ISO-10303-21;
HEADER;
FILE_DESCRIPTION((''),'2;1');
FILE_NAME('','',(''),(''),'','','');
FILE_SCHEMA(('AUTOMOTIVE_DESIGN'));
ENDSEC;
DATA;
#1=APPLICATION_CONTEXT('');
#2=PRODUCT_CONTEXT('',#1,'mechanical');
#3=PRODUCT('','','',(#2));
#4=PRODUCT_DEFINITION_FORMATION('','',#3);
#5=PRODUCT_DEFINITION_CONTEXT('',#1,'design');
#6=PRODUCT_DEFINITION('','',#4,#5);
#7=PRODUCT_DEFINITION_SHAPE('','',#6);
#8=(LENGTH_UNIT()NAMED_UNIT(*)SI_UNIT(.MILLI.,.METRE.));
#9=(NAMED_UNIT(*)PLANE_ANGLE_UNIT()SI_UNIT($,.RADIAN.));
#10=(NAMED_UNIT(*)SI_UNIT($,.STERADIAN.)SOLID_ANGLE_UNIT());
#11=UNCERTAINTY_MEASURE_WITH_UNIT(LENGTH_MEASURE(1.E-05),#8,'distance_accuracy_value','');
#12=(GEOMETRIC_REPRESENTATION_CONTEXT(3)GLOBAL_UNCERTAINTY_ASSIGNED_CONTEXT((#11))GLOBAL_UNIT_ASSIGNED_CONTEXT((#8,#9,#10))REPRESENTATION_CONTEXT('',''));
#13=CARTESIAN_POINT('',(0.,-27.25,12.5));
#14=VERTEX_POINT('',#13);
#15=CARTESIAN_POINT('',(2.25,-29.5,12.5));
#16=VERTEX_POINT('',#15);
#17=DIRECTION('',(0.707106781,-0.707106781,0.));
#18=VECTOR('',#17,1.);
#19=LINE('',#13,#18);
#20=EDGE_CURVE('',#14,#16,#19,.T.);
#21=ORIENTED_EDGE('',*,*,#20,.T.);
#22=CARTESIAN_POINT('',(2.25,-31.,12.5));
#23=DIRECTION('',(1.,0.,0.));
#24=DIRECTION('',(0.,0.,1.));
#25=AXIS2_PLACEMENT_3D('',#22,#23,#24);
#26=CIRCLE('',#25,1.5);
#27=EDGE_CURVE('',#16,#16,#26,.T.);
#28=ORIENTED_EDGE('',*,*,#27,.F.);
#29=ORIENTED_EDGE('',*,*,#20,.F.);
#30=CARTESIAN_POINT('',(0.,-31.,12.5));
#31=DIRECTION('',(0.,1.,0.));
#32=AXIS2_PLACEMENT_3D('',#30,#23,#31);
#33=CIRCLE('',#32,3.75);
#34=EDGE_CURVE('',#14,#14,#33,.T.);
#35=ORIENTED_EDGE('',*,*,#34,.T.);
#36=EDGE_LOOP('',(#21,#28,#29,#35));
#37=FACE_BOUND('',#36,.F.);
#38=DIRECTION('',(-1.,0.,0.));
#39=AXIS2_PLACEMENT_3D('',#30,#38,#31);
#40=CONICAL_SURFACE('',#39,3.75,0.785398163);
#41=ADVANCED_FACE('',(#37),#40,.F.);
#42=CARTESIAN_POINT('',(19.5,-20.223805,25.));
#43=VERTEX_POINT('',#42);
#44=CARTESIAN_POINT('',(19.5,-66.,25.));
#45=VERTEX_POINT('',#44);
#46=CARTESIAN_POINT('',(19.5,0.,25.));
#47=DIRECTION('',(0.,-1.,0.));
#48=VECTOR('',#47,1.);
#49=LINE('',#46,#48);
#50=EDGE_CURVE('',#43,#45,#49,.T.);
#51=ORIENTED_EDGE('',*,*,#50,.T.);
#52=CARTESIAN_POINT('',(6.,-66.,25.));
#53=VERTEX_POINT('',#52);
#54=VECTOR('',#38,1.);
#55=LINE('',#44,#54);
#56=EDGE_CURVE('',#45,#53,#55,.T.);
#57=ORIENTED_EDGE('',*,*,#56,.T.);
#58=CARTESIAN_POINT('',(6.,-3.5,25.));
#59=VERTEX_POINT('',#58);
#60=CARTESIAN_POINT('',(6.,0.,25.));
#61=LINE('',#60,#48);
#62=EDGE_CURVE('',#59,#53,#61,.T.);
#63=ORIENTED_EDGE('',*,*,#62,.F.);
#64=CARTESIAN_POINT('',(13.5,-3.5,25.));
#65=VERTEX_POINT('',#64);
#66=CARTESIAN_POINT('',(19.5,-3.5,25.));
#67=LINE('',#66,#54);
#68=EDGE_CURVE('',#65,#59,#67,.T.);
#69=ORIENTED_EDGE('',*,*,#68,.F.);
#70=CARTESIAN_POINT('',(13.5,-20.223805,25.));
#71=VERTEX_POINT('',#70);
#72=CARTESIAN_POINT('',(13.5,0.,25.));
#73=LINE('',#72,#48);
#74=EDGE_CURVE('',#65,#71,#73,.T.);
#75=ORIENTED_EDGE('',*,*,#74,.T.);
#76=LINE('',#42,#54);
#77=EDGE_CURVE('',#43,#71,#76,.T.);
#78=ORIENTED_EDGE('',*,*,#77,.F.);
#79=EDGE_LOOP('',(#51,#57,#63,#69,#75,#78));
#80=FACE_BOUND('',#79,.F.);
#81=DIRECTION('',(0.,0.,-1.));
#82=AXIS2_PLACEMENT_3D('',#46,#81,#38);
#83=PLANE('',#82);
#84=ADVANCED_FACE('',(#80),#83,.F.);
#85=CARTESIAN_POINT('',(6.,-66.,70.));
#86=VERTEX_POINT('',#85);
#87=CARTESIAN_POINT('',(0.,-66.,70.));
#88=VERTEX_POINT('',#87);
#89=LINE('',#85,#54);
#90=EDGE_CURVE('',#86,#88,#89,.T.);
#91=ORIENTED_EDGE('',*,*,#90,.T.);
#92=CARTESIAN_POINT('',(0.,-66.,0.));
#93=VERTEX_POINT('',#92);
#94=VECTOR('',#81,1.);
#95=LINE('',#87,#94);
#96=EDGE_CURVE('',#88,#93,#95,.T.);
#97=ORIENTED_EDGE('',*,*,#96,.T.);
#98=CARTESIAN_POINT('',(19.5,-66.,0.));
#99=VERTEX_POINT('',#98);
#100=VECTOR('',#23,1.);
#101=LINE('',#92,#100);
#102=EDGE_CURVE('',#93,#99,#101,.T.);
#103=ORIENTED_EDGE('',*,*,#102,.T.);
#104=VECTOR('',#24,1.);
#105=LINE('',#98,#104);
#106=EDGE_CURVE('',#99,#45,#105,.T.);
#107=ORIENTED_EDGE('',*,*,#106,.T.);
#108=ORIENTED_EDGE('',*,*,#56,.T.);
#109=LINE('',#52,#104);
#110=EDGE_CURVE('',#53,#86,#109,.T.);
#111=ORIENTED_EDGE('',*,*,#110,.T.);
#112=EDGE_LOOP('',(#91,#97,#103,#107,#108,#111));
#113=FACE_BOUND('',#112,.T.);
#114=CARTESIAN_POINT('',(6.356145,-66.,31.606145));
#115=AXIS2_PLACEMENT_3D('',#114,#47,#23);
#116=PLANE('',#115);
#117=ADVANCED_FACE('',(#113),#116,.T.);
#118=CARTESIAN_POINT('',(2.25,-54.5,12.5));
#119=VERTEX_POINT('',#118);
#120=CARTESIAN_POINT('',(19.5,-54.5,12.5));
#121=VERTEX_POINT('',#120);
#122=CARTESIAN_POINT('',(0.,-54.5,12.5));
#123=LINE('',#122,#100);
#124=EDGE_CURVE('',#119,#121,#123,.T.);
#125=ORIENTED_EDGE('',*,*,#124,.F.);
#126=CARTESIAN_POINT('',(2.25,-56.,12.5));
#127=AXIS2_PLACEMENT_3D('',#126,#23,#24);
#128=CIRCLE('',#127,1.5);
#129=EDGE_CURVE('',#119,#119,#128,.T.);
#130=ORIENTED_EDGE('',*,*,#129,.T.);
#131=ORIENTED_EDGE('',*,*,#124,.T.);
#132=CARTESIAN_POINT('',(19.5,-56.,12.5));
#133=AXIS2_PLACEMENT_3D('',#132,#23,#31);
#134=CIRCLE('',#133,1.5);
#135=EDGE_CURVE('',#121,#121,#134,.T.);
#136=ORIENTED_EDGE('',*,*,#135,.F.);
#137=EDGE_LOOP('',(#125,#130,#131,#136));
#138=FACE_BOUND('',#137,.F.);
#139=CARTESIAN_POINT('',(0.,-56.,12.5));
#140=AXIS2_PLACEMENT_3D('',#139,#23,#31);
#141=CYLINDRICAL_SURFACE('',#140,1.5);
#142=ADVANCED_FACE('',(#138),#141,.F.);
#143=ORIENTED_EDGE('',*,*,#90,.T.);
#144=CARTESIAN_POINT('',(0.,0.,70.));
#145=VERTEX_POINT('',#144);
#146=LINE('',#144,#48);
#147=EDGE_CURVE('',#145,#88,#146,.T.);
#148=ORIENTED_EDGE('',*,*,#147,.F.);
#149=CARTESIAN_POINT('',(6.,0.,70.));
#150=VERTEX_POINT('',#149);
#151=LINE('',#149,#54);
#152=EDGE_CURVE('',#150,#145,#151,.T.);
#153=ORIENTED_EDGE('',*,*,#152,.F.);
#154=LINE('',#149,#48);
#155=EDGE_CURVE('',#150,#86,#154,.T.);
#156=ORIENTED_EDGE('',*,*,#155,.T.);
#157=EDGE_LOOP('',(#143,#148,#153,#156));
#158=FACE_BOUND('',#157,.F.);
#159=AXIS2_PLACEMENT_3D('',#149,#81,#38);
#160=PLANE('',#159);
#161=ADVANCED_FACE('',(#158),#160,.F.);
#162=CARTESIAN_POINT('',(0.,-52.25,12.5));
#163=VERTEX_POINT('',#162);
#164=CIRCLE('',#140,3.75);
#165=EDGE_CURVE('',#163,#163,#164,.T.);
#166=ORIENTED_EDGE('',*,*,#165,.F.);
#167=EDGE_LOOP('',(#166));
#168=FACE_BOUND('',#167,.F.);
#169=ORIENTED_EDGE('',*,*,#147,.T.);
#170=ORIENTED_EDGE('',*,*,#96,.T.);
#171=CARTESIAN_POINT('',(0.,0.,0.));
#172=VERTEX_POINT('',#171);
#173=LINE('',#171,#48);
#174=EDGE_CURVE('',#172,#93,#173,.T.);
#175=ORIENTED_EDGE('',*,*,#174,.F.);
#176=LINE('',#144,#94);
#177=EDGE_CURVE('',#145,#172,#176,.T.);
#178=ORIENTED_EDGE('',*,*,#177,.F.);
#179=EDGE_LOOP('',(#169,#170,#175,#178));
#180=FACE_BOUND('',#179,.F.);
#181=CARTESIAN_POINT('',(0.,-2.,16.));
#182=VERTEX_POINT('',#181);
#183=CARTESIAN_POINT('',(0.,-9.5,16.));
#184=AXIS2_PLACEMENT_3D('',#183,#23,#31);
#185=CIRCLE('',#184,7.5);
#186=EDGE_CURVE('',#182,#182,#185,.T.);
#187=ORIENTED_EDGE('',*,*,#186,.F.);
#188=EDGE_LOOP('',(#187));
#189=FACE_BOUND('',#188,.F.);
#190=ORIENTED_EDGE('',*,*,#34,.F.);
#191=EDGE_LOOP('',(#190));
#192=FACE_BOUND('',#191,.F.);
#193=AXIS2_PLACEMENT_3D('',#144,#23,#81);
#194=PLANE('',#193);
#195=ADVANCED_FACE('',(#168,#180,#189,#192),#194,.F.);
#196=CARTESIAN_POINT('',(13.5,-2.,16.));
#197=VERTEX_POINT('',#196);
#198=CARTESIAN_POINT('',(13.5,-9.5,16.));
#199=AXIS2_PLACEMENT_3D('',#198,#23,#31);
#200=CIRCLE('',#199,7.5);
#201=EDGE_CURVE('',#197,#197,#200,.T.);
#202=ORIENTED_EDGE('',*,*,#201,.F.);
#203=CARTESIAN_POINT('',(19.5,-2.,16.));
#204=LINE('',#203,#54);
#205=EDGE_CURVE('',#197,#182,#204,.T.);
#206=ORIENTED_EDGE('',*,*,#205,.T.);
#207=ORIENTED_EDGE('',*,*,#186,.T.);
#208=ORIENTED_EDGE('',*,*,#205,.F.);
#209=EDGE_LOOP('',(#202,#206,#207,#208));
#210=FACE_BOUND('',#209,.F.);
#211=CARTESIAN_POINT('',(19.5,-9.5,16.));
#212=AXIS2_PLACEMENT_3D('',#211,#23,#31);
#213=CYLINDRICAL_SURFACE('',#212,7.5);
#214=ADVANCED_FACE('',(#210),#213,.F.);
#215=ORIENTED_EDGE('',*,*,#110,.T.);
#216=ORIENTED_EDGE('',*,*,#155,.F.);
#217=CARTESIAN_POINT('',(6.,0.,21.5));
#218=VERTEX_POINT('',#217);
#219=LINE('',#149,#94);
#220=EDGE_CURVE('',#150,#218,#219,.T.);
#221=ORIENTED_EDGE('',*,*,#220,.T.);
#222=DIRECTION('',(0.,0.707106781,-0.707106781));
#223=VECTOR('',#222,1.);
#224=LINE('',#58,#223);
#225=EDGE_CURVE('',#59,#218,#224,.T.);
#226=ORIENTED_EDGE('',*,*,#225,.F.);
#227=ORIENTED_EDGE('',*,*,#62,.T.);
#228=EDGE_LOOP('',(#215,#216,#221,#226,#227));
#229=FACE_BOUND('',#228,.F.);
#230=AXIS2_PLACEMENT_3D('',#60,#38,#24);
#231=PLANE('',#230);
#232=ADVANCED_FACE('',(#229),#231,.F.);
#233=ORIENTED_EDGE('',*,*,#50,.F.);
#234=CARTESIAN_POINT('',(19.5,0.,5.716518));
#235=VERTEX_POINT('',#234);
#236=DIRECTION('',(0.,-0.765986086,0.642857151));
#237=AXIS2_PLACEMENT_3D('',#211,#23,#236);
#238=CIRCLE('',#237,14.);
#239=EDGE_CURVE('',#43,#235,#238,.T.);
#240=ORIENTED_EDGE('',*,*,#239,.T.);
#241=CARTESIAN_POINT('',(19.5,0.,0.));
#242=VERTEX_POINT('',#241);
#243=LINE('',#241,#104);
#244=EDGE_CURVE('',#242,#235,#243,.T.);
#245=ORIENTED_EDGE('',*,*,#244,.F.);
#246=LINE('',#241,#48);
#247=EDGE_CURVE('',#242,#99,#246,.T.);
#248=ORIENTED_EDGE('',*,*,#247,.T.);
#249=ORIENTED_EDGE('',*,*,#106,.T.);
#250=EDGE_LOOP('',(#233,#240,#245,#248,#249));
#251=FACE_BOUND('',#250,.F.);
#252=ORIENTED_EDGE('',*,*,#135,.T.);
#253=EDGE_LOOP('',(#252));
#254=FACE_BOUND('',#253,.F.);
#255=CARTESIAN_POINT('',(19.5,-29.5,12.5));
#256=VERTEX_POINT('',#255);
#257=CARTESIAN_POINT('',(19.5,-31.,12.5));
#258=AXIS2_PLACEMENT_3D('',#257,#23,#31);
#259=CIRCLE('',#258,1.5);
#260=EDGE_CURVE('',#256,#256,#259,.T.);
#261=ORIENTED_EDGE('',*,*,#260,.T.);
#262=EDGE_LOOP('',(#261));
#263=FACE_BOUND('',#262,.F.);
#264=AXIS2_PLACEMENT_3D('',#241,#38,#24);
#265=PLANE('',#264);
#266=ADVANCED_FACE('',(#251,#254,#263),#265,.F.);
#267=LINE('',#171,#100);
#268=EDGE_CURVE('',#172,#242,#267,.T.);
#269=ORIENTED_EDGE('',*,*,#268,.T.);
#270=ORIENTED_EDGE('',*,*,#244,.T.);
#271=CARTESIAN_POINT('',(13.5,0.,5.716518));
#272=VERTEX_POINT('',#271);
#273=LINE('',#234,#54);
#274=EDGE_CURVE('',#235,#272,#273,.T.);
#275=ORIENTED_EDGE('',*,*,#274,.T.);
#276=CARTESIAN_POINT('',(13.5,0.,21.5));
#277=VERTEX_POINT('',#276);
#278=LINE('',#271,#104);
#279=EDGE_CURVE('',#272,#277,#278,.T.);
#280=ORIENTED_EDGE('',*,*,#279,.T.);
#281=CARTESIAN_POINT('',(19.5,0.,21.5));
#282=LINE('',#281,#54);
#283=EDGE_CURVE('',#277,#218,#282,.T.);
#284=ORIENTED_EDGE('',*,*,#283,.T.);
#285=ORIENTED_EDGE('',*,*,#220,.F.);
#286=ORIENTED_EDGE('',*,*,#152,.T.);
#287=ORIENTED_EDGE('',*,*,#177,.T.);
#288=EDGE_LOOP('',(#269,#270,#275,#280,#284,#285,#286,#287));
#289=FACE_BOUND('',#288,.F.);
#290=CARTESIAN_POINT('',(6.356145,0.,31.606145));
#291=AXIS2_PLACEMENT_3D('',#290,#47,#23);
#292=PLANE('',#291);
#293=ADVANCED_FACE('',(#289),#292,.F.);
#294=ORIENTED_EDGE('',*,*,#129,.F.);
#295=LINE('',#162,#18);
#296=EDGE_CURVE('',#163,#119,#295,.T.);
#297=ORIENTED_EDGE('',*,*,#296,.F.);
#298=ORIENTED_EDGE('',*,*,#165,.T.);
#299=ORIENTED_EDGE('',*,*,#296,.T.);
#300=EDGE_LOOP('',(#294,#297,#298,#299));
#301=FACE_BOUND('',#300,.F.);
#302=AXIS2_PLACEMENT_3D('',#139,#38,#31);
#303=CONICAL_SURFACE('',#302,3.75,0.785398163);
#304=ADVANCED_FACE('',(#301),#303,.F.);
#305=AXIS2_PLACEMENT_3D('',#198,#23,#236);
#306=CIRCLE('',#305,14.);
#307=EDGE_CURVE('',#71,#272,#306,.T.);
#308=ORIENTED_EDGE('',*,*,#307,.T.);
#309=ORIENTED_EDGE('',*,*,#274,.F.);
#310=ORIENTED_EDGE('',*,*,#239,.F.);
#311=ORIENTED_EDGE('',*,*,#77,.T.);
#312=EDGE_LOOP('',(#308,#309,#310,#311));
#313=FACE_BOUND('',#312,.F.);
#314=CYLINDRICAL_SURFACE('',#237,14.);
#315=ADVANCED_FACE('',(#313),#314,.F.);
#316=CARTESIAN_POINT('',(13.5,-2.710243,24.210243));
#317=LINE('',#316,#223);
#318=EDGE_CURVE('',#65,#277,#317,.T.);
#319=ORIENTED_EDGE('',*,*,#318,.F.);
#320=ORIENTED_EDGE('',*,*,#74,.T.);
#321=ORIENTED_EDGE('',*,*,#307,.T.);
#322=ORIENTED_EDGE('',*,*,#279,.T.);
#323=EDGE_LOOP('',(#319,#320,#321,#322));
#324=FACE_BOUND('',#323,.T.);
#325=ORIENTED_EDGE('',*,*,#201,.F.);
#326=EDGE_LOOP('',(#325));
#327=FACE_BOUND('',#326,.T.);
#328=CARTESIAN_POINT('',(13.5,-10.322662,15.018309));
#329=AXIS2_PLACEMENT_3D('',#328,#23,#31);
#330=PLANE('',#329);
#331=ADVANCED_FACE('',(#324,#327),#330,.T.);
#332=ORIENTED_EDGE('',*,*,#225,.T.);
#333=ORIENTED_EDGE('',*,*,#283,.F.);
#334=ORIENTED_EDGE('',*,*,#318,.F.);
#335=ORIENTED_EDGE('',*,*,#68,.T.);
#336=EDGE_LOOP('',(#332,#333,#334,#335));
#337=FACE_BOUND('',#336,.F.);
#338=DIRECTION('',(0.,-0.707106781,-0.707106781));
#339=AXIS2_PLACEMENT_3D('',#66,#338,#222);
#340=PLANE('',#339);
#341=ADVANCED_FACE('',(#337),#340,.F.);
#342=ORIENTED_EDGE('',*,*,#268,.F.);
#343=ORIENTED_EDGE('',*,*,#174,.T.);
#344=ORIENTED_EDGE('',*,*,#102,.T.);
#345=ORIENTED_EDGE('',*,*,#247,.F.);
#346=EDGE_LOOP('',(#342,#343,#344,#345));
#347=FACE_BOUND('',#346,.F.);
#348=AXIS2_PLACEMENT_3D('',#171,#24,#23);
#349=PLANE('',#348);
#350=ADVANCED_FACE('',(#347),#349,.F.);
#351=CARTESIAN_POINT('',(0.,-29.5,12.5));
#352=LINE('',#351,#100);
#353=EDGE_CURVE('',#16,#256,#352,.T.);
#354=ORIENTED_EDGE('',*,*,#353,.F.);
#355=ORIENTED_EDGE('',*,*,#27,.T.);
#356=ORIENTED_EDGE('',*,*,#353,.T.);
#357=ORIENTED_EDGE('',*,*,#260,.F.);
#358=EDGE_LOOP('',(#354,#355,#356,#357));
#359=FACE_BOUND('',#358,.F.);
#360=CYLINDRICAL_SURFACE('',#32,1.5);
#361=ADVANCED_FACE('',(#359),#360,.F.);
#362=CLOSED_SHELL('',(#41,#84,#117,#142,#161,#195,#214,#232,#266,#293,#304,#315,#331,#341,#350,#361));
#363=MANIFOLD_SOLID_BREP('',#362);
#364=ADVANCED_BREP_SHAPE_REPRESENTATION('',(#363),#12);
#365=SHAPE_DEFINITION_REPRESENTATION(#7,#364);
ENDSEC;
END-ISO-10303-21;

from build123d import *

# Parameters (mm, degrees)
F1_DEPTH        = 66
F2_R            = 7.5
F3_DEPTH        = 19.501
F5_DEPTH        = 6
F7_DEPTH        = 13.5
F8_R            = 1.5
F9_DEPTH        = 6.001
F11_D           = 3
F11_CSINK_D     = 7.5
F11_CSINK_ANGLE = 90


with BuildPart() as f1:
    # F0 (on Front) → F1 (new body)
    with BuildSketch(Plane.XZ):
        Polygon((0, 70), (0, 0), (19.5, 0), (19.5, 25), (6, 25), (6, 70), align=None)
    extrude(amount=F1_DEPTH)

    # F2 (on face) → F3 (cut, through all)
    with BuildSketch(Plane.YZ.offset(19.5)):
        with Locations((-9.5, 16)):
            Circle(F2_R)
    extrude(amount=-F3_DEPTH, mode=Mode.SUBTRACT)

    # F4 (on face) → F5 (cut)
    with BuildSketch(Plane.YZ.offset(19.5)):
        with BuildLine():
            Line((0, 25), (-20.223805, 25))
            ThreePointArc((-20.223805, 25), (-19.161138, 5.867754), (0, 5.716518))
            Line((0, 5.716518), (0, 25))
        make_face()
    extrude(amount=-F5_DEPTH, mode=Mode.SUBTRACT)

    # F6 (on face) → F7 (cut)
    with BuildSketch(Plane.YZ.offset(19.5)):
        Polygon((-3.5, 25), (0, 21.5), (0, 25), align=None)
    extrude(amount=-F7_DEPTH, mode=Mode.SUBTRACT)

    # F8 (on face) → F9 (cut, through all)
    with BuildSketch(Plane.YZ.offset(6)):
        with Locations((-17.5, 82.5)):
            Circle(F8_R)
        with Locations((-48.5, 82.5)):
            Circle(F8_R)
    extrude(amount=-F9_DEPTH, mode=Mode.SUBTRACT)

    # F11 (through all)
    with Locations(Plane(origin=(0, 0, 0), x_dir=(0, -1, 0), z_dir=(-1, 0, 0))):
        with Locations((31, 12.5), (56, 12.5), (56, 12.5)):
            CounterSinkHole(F11_D / 2, F11_CSINK_D / 2, counter_sink_angle=F11_CSINK_ANGLE)


solid = f1.part
